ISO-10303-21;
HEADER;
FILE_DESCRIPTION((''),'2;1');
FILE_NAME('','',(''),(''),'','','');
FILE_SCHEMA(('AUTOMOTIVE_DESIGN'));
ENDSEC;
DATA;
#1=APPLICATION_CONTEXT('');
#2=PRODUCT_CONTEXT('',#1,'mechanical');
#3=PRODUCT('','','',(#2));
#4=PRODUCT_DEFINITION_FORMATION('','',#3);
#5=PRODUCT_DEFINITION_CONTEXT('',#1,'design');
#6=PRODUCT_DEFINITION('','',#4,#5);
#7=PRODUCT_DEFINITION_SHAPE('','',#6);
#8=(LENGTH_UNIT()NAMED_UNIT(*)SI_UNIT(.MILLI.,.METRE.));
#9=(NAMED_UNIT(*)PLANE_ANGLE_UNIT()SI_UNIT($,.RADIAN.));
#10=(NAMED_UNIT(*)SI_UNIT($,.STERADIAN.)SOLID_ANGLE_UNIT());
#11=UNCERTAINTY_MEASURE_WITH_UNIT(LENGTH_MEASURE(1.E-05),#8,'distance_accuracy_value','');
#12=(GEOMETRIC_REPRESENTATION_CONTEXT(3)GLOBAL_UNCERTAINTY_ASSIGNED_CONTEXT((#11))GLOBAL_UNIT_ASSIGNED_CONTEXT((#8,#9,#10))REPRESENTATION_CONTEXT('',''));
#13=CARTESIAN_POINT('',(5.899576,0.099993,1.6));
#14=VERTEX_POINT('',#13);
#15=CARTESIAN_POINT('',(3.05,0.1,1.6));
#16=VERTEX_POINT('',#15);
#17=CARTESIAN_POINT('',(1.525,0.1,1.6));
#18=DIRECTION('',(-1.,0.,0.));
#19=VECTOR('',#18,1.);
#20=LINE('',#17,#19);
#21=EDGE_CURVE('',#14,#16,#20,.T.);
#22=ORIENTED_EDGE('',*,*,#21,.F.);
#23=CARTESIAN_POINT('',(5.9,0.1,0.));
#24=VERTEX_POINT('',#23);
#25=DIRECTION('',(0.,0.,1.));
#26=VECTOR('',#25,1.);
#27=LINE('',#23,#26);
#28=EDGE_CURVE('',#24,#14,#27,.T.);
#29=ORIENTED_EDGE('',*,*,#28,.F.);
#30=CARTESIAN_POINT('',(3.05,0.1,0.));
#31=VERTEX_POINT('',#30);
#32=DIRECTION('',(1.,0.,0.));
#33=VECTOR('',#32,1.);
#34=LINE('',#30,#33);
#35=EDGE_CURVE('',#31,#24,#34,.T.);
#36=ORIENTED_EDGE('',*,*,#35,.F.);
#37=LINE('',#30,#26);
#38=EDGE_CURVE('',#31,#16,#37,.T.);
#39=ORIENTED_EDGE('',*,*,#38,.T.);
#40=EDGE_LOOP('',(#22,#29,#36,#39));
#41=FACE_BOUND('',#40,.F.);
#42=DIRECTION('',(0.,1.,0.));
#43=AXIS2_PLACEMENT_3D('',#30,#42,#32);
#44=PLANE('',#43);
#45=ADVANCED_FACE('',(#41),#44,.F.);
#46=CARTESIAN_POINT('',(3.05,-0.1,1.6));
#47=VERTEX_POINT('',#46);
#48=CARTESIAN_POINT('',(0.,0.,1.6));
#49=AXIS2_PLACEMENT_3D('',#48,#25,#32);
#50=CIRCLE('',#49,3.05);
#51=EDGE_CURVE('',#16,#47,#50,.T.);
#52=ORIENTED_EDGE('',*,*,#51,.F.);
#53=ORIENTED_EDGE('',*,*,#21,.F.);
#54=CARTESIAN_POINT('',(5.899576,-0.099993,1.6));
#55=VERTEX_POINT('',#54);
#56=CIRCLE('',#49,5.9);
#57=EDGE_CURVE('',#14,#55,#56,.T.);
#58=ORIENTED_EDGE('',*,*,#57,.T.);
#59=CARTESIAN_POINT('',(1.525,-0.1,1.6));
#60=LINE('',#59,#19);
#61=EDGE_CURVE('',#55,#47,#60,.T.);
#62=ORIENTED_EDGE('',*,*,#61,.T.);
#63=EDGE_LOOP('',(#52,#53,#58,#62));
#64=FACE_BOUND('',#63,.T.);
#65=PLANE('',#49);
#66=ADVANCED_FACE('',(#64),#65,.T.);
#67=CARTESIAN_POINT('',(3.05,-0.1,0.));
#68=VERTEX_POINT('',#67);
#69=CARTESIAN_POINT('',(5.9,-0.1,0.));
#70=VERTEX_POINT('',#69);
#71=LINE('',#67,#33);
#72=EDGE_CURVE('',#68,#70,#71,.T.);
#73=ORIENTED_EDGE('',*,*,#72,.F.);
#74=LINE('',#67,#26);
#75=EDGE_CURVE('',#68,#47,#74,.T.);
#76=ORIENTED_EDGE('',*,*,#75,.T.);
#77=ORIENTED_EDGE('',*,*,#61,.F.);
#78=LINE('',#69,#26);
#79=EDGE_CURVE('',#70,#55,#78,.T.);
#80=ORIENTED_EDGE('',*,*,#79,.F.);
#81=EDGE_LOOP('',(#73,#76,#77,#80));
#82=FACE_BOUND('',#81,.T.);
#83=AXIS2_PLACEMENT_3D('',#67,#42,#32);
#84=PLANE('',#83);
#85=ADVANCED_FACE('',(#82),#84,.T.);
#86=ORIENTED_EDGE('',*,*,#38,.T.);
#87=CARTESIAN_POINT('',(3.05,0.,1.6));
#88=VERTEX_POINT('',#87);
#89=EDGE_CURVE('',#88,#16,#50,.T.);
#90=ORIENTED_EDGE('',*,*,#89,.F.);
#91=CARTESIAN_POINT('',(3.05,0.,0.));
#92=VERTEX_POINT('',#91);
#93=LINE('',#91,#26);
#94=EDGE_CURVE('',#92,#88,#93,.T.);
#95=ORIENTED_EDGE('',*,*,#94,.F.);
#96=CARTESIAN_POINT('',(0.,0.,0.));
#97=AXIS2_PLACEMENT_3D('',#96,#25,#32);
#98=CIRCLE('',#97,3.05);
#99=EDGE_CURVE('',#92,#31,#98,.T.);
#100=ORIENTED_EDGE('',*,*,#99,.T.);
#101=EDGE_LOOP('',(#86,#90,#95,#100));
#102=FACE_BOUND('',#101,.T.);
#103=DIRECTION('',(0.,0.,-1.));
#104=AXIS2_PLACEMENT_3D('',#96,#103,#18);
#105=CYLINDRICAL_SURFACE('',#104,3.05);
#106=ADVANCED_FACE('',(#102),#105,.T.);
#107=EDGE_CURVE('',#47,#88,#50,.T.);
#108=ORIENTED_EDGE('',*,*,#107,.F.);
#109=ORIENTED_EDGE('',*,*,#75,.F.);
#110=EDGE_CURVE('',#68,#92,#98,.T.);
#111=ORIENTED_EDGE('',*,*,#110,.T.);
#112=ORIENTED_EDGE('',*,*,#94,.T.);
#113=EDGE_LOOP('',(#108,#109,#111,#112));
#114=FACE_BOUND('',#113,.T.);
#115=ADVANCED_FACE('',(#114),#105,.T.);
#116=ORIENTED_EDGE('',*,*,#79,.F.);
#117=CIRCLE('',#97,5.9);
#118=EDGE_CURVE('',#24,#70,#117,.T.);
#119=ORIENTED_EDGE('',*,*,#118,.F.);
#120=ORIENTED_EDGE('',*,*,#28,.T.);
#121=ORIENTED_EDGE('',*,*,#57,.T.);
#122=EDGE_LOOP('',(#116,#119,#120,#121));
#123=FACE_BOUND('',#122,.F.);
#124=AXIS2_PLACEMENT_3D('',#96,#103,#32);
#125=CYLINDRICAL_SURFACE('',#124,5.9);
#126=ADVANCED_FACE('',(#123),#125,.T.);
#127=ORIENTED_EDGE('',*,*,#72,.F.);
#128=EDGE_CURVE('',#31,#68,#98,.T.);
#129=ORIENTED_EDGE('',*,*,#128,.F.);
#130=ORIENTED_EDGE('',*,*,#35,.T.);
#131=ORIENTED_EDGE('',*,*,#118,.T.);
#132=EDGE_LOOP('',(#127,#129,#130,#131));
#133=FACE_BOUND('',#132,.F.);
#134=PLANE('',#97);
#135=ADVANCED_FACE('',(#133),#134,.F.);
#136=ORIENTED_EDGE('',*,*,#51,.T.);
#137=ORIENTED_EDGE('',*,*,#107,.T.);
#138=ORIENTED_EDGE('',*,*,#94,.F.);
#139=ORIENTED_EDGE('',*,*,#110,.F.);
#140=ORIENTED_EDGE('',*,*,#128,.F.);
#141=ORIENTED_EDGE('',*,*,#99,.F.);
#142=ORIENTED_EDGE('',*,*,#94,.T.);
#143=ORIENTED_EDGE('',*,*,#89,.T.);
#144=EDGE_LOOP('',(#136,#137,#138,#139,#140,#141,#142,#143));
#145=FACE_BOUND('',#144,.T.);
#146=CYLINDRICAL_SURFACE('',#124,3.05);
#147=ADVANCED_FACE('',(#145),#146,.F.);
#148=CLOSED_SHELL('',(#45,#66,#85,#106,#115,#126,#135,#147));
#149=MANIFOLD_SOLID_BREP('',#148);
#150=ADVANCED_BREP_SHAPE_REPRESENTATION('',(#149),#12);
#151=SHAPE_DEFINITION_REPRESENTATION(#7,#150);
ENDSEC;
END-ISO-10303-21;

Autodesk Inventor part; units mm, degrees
ref_plane "YZ Plane" through (0, 0, 0) normal (1, 0, 0) x (0, 1, 0)
ref_plane "XZ Plane" through (0, 0, 0) normal (0, 1, 0) x (-1, 0, 0)
ref_plane "XY Plane" through (0, 0, 0) normal (0, 0, 1) x (1, 0, 0)
sketch "Sketch1" plane through (0, 0, 0) normal (0, 0, 1) x (1, 0, 0)
  circle A0 centre (0, 0) radius 3.05
  circle A1 centre (0, 0) radius 5.9
  dimension "d0" = 6.1
  dimension "d1" = 11.8
extrude "Extrusion1" add sketch "Sketch1" along normal blind 1.6
sketch "Sketch2" plane through (0, 0, 0) normal (0, 0, -1) x (-1, 0, 0)
  circle A0 centre (0, 0) radius 3.05 projected
  line L0 (-3.05, 0.1) -> (-5.9, 0.1)
  circle A1 centre (0, 0) radius 5.9 projected
  line L1 (-5.9, 0) -> (-5.9, 0.1)
  line L2 (-3.05, 0.1) -> (-3.0398, 0.1)
  line L3 (-3.0398, 0.1) -> (-3.0398, -0.8229)
  line L4 (-3.0398, 0) -> (-3.0138, 0)
  line L5 (-3.05, -0.1) -> (-5.9, -0.1)
  line L6 (-5.9, 0) -> (-5.9, -0.1)
  line L7 (-3.05, -0.1) -> (-3.0398, -0.1)
  line L8 (-3.0398, -0.1) -> (-3.0398, 0.8229)
  point P0 (-5.8992, -0.1)
  point P1 (-3.0484, -0.1)
  point P2 (-3.0484, 0.1)
  point P3 (-5.8992, 0.1)
extrude "Extrusion2" cut sketch "Sketch2" against normal blind 10 contours A0 L5 A1 L0 picked at (-3.9998, -0.0667)
properties part number "Arandela Grower m6"
